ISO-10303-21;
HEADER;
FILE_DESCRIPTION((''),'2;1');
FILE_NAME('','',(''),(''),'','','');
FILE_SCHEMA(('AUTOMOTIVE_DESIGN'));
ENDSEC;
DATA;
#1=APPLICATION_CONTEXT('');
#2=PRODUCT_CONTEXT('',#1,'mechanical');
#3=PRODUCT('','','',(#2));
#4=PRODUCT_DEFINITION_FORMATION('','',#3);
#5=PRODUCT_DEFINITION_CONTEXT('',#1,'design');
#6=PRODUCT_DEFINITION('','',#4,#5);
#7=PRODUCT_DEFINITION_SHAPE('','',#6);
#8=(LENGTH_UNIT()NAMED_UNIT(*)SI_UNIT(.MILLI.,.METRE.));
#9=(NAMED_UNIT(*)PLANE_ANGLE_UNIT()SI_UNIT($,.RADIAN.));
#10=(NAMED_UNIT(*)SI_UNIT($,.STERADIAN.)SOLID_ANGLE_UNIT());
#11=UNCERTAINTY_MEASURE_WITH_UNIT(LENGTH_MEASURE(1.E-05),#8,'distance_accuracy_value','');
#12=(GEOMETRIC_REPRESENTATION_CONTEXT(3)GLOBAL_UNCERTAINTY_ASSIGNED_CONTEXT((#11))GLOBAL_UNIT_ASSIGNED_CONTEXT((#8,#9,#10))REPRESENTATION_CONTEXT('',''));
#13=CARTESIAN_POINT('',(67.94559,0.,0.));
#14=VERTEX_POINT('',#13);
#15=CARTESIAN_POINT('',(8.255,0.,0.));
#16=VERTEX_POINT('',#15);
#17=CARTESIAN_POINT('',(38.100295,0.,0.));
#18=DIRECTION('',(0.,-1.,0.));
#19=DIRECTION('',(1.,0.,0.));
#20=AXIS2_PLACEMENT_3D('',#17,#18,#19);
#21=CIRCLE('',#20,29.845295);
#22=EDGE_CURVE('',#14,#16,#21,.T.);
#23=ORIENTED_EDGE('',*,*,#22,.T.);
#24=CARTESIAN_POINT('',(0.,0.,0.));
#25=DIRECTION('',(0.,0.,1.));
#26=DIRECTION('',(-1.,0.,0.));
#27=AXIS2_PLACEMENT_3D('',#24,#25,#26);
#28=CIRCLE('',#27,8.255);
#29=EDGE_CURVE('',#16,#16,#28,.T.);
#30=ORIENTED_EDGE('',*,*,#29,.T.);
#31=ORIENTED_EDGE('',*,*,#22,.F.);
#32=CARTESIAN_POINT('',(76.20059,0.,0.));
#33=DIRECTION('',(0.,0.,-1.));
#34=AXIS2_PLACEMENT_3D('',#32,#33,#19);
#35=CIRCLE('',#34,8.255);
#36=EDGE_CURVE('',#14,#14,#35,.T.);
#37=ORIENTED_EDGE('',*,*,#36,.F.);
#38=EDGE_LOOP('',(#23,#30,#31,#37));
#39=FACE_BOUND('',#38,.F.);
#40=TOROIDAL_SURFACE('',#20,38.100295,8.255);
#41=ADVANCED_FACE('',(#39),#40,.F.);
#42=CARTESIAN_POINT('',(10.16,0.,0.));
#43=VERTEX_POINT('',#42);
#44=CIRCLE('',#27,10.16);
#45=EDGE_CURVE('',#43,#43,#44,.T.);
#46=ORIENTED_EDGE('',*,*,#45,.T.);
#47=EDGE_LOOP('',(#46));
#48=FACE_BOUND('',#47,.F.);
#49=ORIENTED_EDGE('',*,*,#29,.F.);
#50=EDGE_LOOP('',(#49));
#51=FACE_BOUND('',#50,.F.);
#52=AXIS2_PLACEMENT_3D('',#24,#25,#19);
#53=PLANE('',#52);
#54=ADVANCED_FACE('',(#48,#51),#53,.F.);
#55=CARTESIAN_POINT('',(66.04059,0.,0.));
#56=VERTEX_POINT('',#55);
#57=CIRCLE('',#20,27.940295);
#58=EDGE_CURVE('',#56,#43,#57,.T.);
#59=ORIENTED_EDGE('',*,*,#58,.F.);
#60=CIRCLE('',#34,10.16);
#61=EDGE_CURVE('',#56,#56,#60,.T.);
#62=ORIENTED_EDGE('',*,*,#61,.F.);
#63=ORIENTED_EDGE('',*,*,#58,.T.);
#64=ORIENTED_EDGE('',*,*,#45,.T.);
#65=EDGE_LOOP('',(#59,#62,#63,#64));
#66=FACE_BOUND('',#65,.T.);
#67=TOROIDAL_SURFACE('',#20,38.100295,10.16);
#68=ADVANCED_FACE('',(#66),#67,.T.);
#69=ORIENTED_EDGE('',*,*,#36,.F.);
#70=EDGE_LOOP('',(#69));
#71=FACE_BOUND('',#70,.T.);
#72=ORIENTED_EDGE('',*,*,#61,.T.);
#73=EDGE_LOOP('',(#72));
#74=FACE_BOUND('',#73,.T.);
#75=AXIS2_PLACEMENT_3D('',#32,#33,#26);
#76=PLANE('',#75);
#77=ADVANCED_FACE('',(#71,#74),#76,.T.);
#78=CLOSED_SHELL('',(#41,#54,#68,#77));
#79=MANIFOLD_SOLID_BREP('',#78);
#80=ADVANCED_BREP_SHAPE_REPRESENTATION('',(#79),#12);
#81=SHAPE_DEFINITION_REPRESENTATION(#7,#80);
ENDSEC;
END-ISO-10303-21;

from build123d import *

# Parameters (mm, degrees)
F0_R   = 10.16
F0_R_2 = 8.255


with BuildPart() as f2:
    # F2: sweep along a path in F1
    with BuildLine(Plane.XZ) as f2_path:
        ThreePointArc((76.20059, 0), (38.100295, 38.100295), (0, 0))
    # F0 (on Top) → F2 (sweep)
    with BuildSketch(Plane.XY):
        Circle(F0_R)
        Circle(F0_R_2, mode=Mode.SUBTRACT)
    sweep(path=f2_path.line)


solid = f2.part
